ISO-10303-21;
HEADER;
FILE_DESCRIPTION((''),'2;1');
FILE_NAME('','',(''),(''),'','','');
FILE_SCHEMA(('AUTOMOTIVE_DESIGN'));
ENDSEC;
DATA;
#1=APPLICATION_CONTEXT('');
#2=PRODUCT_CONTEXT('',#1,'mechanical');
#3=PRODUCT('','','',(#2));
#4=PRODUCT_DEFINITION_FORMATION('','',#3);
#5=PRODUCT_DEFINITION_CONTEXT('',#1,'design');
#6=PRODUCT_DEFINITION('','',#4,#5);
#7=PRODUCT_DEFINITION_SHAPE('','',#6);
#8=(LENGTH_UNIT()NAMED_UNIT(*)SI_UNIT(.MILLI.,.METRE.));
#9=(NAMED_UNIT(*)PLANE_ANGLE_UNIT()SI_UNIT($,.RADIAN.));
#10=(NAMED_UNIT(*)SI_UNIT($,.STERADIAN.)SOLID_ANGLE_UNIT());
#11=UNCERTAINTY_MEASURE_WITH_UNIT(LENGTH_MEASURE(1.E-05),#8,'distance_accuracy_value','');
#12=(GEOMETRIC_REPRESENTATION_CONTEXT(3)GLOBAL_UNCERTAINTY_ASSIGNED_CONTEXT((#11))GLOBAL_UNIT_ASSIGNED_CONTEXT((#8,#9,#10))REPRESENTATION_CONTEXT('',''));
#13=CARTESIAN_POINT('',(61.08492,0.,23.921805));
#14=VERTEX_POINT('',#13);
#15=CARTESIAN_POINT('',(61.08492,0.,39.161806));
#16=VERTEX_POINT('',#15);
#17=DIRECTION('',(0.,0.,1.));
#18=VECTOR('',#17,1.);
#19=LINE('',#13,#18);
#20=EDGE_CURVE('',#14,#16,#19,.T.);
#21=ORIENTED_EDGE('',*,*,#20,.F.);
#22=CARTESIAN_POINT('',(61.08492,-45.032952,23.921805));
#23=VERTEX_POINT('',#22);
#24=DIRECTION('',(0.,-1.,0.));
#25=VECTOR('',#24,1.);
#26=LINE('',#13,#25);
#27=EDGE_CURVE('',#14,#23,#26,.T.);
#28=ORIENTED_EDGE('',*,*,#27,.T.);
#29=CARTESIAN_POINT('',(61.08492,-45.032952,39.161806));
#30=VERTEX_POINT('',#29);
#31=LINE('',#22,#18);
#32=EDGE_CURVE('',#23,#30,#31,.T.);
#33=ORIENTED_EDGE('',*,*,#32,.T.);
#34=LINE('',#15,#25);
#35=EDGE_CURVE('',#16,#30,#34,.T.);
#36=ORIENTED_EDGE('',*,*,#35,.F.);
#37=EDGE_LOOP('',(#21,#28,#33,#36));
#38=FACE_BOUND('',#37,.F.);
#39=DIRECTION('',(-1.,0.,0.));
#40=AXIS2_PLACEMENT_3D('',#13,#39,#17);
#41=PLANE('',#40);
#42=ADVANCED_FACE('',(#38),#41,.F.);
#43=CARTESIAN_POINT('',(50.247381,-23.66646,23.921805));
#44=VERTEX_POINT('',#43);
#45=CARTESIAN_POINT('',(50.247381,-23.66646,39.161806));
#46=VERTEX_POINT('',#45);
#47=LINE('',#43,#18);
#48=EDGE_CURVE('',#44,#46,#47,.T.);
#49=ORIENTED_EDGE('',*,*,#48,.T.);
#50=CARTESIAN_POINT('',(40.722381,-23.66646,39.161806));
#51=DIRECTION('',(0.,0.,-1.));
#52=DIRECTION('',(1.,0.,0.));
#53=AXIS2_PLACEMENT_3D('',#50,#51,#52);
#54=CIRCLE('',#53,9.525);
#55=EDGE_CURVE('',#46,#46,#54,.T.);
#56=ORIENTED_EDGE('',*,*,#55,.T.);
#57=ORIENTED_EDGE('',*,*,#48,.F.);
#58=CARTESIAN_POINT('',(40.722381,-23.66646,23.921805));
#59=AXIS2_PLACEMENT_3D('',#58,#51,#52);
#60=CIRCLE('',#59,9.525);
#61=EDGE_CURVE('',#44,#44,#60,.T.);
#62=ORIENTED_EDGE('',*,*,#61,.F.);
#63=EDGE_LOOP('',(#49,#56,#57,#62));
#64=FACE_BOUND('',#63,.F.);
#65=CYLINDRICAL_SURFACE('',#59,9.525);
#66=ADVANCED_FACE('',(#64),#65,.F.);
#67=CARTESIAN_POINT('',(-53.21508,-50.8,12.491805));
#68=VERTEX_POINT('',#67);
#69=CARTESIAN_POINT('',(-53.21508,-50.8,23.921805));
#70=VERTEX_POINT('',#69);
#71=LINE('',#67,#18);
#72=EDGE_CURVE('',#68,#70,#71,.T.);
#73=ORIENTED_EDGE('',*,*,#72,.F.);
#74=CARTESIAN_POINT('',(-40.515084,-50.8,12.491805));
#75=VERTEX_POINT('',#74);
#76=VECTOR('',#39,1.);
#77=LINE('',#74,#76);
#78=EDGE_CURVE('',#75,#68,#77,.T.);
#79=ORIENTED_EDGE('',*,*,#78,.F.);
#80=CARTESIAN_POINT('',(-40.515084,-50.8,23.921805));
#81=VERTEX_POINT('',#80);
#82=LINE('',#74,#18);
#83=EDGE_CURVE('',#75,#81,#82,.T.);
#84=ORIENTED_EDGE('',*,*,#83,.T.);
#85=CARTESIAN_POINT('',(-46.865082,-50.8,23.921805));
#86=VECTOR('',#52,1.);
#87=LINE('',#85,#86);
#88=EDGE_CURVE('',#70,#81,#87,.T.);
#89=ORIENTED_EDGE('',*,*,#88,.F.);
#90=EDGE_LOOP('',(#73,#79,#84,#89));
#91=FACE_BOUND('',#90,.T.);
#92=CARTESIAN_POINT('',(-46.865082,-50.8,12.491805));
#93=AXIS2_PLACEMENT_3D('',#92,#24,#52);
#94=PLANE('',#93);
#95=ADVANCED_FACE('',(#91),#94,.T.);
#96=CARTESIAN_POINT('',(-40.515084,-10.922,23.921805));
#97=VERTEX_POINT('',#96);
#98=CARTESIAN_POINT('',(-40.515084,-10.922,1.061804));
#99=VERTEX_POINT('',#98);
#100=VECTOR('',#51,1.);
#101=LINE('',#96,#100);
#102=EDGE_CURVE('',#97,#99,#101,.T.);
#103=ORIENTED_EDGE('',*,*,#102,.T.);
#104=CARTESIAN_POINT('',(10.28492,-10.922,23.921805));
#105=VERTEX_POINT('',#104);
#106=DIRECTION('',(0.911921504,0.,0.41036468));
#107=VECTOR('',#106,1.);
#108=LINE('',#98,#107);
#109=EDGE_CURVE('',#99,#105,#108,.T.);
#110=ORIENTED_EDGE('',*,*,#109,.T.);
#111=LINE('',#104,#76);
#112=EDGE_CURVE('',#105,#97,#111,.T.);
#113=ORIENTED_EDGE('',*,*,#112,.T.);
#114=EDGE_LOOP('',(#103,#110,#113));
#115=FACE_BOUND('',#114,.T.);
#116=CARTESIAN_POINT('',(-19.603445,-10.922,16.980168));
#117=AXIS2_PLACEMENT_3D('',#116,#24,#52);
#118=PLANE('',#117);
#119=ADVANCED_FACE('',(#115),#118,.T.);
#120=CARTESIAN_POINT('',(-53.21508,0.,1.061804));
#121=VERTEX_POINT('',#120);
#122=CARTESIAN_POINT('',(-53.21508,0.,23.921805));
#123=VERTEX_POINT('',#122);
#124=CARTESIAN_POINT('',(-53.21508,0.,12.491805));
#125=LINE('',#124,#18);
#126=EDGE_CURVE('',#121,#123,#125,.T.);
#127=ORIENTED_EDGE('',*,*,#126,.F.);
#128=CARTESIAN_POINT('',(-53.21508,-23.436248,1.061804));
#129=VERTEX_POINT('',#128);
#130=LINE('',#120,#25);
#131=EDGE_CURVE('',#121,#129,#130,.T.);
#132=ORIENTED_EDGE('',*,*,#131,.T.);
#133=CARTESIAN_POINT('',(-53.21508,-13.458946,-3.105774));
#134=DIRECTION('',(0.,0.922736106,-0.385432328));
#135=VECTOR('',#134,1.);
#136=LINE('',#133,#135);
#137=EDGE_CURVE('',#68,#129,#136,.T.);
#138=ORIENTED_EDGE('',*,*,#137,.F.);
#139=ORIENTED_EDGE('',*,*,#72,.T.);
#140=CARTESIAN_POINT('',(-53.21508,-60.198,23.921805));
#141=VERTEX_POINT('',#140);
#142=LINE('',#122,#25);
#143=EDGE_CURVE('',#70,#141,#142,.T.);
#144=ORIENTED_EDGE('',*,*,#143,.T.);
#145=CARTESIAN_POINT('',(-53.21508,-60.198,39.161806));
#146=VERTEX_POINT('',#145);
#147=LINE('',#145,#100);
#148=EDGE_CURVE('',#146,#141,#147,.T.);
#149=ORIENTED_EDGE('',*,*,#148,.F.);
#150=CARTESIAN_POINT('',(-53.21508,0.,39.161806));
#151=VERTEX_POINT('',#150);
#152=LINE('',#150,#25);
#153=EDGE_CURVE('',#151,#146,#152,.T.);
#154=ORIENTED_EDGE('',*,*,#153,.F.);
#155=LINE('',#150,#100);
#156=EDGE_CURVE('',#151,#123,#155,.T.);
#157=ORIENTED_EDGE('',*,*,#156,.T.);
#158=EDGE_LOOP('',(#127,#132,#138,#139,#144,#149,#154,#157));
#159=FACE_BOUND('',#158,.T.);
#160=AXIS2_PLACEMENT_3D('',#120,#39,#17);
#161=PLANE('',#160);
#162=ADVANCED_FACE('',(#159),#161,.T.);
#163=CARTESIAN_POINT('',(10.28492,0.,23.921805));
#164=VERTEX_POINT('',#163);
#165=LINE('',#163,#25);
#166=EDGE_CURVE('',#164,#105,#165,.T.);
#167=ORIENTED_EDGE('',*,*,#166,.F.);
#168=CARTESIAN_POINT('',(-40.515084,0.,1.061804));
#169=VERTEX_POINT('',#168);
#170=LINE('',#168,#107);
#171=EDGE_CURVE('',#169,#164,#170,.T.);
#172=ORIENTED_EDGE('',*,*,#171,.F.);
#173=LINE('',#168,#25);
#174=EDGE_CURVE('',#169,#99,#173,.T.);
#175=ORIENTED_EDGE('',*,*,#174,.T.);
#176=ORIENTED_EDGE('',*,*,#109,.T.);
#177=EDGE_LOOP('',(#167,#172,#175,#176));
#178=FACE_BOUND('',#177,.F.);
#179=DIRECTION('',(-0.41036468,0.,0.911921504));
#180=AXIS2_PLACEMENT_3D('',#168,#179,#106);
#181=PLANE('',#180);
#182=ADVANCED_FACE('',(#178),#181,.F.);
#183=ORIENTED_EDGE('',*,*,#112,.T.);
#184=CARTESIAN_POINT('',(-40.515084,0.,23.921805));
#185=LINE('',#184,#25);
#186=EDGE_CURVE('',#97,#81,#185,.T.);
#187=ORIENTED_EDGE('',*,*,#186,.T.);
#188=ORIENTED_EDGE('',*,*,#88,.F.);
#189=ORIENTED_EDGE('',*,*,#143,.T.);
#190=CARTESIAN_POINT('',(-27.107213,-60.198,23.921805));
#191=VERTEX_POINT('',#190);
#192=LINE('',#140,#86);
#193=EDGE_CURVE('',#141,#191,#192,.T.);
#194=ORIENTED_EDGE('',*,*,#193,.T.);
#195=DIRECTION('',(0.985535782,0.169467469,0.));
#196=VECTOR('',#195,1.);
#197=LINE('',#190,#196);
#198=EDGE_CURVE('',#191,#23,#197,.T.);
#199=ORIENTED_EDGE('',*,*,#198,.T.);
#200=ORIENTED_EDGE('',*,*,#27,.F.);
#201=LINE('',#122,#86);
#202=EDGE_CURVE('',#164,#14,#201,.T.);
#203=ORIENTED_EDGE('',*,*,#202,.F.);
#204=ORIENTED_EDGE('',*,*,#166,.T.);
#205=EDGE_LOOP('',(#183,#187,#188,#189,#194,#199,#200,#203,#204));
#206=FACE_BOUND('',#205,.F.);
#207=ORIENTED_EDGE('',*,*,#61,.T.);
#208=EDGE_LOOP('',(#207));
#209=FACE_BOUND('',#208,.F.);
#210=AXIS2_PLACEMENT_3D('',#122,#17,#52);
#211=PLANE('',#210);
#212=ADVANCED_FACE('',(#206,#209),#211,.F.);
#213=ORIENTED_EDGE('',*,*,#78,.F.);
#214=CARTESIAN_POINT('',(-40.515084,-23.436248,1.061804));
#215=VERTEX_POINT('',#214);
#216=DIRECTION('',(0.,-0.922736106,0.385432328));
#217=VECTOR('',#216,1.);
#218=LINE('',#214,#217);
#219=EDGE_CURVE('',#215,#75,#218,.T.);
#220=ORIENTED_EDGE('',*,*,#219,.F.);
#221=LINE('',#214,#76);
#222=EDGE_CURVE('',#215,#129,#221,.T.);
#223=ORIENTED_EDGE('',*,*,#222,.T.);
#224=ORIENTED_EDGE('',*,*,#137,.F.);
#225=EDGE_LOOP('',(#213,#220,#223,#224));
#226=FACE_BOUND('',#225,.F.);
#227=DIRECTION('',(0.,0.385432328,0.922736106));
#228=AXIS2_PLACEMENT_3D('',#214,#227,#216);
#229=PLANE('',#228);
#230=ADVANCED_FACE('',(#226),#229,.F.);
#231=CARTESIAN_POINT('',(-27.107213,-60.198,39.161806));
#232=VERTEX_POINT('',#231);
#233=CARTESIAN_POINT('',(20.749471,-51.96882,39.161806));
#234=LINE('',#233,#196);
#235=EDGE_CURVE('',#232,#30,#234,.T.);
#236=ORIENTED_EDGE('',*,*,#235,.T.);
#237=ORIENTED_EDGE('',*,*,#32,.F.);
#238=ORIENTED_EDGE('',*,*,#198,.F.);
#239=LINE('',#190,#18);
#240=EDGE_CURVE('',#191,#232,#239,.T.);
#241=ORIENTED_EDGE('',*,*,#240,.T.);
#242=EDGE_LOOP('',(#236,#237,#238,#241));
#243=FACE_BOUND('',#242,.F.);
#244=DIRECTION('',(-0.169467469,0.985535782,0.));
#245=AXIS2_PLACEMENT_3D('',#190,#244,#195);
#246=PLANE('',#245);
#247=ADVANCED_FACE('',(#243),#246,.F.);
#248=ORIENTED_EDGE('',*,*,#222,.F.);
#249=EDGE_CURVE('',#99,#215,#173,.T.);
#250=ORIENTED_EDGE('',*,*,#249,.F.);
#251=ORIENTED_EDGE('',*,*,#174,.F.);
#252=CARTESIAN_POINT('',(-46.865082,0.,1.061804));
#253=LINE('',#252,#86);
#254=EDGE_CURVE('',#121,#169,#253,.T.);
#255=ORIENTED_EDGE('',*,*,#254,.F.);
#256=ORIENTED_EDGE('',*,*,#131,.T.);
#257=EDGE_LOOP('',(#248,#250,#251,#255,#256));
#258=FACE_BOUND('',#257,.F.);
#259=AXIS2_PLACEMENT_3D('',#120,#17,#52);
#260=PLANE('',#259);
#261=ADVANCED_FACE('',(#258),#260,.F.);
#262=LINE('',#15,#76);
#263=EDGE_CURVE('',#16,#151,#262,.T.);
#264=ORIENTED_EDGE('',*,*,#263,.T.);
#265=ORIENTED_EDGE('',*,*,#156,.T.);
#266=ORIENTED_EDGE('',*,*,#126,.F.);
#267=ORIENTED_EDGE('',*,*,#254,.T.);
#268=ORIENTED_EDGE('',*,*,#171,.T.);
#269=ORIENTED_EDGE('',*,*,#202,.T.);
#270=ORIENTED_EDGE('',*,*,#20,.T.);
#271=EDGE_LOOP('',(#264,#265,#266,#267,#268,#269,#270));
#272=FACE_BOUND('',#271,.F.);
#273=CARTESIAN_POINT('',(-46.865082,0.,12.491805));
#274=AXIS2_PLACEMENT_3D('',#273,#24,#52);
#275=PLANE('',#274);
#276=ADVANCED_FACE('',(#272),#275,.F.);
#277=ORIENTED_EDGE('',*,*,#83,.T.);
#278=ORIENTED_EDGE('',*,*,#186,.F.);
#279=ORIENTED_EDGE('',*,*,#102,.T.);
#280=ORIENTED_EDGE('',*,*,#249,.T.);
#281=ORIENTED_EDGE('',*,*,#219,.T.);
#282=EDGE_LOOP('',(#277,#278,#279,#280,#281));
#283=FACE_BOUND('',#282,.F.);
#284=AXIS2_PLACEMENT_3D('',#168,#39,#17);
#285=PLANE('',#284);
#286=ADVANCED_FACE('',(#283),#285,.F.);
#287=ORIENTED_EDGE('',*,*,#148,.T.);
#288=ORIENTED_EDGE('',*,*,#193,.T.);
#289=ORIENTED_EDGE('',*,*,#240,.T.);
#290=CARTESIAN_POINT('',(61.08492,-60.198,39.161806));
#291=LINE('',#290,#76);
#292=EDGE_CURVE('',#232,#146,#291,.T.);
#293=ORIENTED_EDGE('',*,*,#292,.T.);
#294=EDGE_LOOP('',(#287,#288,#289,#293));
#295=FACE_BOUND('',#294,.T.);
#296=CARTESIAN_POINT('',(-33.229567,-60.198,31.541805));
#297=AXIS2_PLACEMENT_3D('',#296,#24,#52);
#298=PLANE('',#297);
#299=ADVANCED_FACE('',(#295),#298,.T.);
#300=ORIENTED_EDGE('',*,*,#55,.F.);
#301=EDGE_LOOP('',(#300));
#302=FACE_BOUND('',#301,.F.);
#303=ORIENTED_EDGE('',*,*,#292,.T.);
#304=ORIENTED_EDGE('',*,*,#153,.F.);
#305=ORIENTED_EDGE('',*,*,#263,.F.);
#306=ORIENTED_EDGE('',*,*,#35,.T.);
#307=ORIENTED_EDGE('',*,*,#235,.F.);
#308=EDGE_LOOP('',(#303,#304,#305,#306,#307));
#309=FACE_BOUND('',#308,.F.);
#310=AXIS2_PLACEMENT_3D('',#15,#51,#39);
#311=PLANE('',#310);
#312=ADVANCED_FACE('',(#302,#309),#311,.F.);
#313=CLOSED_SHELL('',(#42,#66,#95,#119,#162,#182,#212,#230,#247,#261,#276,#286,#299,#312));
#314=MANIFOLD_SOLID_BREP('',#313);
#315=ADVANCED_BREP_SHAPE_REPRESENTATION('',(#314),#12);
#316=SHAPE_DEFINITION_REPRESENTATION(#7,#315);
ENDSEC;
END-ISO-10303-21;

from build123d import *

# Parameters (mm, degrees)
F1_DEPTH = 10.922
F2_DEPTH = 60.198
F0_W     = 12.6999963462
F0_H     = 22.8600017996
F3_DEPTH = 50.8
F5_DEPTH = 25.4
F6_R     = 9.525
F7_DEPTH = 25.4
F8_DEPTH = 25.4


with BuildPart() as f1:
    # F0 (on Front) → F1 (new body)
    with BuildSketch(Plane.XZ):
        Polygon((10.2849198341, 23.9218054244), (-13.2440533489, 23.9218054244), (-40.5150838196, 23.9218054244), (-40.5150838196, 1.0618036248), align=None)
    extrude(amount=F1_DEPTH)

    # F0 (on Front) → F2 (join)
    with BuildSketch(Plane.XZ):
        Polygon((-13.2440533489, 39.1618055656), (-53.2150801659, 39.1618055656), (-53.2150801659, 23.9218054244), (-40.5150838196, 23.9218054244), (-13.2440533489, 23.9218054244), align=None)
        Polygon((61.0849198341, 39.1618055656), (-13.2440533489, 39.1618055656), (-13.2440533489, 23.9218054244), (10.2849198341, 23.9218054244), (61.0849198341, 23.9218054244), align=None)
    extrude(amount=F2_DEPTH)

    # F0 (on Front) → F3 (join)
    with BuildSketch(Plane.XZ):
        with Locations((-46.8650819927, 12.4918045246)):
            Rectangle(F0_W, F0_H)
    extrude(amount=F3_DEPTH)

    # F4 (on face) → F5 (cut)
    with BuildSketch(Plane.YZ.offset(-40.5150838196)):
        Polygon((-23.4362483025, 1.0618036248), (-50.8, 12.4918045246), (-50.8, 1.0618036248), align=None)
    extrude(amount=-F5_DEPTH, mode=Mode.SUBTRACT)

    # F6 (on face) → F7 (cut)
    with BuildSketch(Plane(origin=(0, 0, 23.9218054244), x_dir=(1, 0, 0), z_dir=(0, 0, -1))):
        Polygon((61.0849198341, 60.198), (-27.1072126925, 60.198), (61.0849198341, 45.0329519808), align=None)
        with Locations((40.7223813236, 23.666460067)):
            Circle(F6_R)
    extrude(amount=-F7_DEPTH, mode=Mode.SUBTRACT)

    # F6 (on face) → F8 (cut)
    with BuildSketch(Plane(origin=(0, 0, 23.9218054244), x_dir=(1, 0, 0), z_dir=(0, 0, -1))):
        Polygon((61.0849198341, 60.198), (-27.1072126925, 60.198), (61.0849198341, 45.0329519808), align=None)
        with Locations((40.7223813236, 23.666460067)):
            Circle(F6_R)
    extrude(amount=-F8_DEPTH, mode=Mode.SUBTRACT)


solid = f1.part
